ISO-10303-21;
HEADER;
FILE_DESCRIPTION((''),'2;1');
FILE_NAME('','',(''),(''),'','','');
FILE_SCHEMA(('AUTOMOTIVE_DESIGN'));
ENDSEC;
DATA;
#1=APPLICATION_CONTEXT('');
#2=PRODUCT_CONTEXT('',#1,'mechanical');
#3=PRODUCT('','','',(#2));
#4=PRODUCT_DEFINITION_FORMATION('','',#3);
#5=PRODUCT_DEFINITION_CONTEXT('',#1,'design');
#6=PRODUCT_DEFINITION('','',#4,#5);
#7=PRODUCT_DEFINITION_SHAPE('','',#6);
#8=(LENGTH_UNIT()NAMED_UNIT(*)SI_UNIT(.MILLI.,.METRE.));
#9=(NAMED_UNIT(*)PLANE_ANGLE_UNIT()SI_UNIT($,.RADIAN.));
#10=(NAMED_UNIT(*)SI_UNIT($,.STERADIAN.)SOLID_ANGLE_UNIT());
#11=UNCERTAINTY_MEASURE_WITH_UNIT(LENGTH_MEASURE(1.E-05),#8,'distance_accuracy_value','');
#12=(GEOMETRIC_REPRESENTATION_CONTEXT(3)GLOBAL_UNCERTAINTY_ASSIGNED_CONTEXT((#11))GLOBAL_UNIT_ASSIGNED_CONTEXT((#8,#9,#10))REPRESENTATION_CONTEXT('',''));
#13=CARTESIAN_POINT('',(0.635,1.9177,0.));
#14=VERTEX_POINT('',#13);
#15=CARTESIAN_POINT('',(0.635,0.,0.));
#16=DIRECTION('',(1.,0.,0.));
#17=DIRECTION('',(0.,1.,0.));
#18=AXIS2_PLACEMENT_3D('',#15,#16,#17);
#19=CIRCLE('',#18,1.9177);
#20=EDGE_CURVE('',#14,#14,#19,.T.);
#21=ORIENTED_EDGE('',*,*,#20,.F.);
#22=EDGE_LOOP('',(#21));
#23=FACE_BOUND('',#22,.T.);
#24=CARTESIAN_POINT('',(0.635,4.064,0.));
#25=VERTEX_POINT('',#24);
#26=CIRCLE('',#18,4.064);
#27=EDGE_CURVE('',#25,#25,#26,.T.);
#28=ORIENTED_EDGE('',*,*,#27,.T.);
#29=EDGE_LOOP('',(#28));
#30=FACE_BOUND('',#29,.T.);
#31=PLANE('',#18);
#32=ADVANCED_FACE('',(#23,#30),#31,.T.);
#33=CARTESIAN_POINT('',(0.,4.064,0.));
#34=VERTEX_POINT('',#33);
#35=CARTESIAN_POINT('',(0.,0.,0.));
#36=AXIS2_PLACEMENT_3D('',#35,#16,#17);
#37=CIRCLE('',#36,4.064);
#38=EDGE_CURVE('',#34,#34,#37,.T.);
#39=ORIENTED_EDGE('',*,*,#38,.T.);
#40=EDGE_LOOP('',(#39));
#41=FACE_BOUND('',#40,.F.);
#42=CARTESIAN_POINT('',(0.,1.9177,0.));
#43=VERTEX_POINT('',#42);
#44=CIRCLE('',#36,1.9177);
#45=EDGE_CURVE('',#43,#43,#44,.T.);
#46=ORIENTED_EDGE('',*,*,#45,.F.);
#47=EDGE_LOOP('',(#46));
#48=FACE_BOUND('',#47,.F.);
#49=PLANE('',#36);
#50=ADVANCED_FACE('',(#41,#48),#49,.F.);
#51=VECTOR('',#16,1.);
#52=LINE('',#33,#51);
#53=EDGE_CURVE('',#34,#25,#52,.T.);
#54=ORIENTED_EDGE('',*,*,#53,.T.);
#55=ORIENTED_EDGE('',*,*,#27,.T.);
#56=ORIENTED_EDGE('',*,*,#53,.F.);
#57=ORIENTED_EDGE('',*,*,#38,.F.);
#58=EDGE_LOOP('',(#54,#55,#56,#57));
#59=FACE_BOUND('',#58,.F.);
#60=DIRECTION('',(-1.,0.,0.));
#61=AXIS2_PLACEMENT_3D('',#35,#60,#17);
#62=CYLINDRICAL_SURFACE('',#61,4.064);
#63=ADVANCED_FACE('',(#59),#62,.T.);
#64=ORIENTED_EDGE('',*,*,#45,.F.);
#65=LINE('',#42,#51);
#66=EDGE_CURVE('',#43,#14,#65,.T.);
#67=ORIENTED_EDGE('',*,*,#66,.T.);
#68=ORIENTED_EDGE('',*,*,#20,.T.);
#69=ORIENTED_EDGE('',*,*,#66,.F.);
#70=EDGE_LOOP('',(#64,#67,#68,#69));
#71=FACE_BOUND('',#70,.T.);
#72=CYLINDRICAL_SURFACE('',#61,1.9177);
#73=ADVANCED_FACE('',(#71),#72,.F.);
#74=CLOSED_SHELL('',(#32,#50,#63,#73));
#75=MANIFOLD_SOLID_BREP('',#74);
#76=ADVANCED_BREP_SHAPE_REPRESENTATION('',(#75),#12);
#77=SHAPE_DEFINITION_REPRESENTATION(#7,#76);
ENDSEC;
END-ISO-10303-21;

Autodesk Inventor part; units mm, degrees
ref_plane "YZ Plane" through (0, 0, 0) normal (1, 0, 0) x (0, 1, 0)
ref_plane "XZ Plane" through (0, 0, 0) normal (0, 1, 0) x (-1, 0, 0)
sketch "Sketch" plane through (0, 0, 0) normal (1, 0, 0) x (0, 1, 0)
  circle A0 centre (0, 0) radius 4.064
  circle A1 centre (0, 0) radius 1.9177
  dimension "d0" = 3.8354
  dimension "d1" = 8.128
extrude "Body" add sketch "Sketch" along normal blind 0.635
ref_plane "Work Plane1" through (0, 0, 0) normal (0, 0, 1) x (1, 0, 0)
equation "\"d0\" = SD1"
equation "\"d1\" = SD2"
equation "\"d2\" = SD"
equation "\"SD1\" = 3.8354"
equation "\"SD2\" = 8.128"
equation "\"SD\" = 0.635"
equation "\"NND\" = 3.5052"
properties part number "SAE J773b - No. 6. SAE Type L. narrow" material "Steel, Mild"
